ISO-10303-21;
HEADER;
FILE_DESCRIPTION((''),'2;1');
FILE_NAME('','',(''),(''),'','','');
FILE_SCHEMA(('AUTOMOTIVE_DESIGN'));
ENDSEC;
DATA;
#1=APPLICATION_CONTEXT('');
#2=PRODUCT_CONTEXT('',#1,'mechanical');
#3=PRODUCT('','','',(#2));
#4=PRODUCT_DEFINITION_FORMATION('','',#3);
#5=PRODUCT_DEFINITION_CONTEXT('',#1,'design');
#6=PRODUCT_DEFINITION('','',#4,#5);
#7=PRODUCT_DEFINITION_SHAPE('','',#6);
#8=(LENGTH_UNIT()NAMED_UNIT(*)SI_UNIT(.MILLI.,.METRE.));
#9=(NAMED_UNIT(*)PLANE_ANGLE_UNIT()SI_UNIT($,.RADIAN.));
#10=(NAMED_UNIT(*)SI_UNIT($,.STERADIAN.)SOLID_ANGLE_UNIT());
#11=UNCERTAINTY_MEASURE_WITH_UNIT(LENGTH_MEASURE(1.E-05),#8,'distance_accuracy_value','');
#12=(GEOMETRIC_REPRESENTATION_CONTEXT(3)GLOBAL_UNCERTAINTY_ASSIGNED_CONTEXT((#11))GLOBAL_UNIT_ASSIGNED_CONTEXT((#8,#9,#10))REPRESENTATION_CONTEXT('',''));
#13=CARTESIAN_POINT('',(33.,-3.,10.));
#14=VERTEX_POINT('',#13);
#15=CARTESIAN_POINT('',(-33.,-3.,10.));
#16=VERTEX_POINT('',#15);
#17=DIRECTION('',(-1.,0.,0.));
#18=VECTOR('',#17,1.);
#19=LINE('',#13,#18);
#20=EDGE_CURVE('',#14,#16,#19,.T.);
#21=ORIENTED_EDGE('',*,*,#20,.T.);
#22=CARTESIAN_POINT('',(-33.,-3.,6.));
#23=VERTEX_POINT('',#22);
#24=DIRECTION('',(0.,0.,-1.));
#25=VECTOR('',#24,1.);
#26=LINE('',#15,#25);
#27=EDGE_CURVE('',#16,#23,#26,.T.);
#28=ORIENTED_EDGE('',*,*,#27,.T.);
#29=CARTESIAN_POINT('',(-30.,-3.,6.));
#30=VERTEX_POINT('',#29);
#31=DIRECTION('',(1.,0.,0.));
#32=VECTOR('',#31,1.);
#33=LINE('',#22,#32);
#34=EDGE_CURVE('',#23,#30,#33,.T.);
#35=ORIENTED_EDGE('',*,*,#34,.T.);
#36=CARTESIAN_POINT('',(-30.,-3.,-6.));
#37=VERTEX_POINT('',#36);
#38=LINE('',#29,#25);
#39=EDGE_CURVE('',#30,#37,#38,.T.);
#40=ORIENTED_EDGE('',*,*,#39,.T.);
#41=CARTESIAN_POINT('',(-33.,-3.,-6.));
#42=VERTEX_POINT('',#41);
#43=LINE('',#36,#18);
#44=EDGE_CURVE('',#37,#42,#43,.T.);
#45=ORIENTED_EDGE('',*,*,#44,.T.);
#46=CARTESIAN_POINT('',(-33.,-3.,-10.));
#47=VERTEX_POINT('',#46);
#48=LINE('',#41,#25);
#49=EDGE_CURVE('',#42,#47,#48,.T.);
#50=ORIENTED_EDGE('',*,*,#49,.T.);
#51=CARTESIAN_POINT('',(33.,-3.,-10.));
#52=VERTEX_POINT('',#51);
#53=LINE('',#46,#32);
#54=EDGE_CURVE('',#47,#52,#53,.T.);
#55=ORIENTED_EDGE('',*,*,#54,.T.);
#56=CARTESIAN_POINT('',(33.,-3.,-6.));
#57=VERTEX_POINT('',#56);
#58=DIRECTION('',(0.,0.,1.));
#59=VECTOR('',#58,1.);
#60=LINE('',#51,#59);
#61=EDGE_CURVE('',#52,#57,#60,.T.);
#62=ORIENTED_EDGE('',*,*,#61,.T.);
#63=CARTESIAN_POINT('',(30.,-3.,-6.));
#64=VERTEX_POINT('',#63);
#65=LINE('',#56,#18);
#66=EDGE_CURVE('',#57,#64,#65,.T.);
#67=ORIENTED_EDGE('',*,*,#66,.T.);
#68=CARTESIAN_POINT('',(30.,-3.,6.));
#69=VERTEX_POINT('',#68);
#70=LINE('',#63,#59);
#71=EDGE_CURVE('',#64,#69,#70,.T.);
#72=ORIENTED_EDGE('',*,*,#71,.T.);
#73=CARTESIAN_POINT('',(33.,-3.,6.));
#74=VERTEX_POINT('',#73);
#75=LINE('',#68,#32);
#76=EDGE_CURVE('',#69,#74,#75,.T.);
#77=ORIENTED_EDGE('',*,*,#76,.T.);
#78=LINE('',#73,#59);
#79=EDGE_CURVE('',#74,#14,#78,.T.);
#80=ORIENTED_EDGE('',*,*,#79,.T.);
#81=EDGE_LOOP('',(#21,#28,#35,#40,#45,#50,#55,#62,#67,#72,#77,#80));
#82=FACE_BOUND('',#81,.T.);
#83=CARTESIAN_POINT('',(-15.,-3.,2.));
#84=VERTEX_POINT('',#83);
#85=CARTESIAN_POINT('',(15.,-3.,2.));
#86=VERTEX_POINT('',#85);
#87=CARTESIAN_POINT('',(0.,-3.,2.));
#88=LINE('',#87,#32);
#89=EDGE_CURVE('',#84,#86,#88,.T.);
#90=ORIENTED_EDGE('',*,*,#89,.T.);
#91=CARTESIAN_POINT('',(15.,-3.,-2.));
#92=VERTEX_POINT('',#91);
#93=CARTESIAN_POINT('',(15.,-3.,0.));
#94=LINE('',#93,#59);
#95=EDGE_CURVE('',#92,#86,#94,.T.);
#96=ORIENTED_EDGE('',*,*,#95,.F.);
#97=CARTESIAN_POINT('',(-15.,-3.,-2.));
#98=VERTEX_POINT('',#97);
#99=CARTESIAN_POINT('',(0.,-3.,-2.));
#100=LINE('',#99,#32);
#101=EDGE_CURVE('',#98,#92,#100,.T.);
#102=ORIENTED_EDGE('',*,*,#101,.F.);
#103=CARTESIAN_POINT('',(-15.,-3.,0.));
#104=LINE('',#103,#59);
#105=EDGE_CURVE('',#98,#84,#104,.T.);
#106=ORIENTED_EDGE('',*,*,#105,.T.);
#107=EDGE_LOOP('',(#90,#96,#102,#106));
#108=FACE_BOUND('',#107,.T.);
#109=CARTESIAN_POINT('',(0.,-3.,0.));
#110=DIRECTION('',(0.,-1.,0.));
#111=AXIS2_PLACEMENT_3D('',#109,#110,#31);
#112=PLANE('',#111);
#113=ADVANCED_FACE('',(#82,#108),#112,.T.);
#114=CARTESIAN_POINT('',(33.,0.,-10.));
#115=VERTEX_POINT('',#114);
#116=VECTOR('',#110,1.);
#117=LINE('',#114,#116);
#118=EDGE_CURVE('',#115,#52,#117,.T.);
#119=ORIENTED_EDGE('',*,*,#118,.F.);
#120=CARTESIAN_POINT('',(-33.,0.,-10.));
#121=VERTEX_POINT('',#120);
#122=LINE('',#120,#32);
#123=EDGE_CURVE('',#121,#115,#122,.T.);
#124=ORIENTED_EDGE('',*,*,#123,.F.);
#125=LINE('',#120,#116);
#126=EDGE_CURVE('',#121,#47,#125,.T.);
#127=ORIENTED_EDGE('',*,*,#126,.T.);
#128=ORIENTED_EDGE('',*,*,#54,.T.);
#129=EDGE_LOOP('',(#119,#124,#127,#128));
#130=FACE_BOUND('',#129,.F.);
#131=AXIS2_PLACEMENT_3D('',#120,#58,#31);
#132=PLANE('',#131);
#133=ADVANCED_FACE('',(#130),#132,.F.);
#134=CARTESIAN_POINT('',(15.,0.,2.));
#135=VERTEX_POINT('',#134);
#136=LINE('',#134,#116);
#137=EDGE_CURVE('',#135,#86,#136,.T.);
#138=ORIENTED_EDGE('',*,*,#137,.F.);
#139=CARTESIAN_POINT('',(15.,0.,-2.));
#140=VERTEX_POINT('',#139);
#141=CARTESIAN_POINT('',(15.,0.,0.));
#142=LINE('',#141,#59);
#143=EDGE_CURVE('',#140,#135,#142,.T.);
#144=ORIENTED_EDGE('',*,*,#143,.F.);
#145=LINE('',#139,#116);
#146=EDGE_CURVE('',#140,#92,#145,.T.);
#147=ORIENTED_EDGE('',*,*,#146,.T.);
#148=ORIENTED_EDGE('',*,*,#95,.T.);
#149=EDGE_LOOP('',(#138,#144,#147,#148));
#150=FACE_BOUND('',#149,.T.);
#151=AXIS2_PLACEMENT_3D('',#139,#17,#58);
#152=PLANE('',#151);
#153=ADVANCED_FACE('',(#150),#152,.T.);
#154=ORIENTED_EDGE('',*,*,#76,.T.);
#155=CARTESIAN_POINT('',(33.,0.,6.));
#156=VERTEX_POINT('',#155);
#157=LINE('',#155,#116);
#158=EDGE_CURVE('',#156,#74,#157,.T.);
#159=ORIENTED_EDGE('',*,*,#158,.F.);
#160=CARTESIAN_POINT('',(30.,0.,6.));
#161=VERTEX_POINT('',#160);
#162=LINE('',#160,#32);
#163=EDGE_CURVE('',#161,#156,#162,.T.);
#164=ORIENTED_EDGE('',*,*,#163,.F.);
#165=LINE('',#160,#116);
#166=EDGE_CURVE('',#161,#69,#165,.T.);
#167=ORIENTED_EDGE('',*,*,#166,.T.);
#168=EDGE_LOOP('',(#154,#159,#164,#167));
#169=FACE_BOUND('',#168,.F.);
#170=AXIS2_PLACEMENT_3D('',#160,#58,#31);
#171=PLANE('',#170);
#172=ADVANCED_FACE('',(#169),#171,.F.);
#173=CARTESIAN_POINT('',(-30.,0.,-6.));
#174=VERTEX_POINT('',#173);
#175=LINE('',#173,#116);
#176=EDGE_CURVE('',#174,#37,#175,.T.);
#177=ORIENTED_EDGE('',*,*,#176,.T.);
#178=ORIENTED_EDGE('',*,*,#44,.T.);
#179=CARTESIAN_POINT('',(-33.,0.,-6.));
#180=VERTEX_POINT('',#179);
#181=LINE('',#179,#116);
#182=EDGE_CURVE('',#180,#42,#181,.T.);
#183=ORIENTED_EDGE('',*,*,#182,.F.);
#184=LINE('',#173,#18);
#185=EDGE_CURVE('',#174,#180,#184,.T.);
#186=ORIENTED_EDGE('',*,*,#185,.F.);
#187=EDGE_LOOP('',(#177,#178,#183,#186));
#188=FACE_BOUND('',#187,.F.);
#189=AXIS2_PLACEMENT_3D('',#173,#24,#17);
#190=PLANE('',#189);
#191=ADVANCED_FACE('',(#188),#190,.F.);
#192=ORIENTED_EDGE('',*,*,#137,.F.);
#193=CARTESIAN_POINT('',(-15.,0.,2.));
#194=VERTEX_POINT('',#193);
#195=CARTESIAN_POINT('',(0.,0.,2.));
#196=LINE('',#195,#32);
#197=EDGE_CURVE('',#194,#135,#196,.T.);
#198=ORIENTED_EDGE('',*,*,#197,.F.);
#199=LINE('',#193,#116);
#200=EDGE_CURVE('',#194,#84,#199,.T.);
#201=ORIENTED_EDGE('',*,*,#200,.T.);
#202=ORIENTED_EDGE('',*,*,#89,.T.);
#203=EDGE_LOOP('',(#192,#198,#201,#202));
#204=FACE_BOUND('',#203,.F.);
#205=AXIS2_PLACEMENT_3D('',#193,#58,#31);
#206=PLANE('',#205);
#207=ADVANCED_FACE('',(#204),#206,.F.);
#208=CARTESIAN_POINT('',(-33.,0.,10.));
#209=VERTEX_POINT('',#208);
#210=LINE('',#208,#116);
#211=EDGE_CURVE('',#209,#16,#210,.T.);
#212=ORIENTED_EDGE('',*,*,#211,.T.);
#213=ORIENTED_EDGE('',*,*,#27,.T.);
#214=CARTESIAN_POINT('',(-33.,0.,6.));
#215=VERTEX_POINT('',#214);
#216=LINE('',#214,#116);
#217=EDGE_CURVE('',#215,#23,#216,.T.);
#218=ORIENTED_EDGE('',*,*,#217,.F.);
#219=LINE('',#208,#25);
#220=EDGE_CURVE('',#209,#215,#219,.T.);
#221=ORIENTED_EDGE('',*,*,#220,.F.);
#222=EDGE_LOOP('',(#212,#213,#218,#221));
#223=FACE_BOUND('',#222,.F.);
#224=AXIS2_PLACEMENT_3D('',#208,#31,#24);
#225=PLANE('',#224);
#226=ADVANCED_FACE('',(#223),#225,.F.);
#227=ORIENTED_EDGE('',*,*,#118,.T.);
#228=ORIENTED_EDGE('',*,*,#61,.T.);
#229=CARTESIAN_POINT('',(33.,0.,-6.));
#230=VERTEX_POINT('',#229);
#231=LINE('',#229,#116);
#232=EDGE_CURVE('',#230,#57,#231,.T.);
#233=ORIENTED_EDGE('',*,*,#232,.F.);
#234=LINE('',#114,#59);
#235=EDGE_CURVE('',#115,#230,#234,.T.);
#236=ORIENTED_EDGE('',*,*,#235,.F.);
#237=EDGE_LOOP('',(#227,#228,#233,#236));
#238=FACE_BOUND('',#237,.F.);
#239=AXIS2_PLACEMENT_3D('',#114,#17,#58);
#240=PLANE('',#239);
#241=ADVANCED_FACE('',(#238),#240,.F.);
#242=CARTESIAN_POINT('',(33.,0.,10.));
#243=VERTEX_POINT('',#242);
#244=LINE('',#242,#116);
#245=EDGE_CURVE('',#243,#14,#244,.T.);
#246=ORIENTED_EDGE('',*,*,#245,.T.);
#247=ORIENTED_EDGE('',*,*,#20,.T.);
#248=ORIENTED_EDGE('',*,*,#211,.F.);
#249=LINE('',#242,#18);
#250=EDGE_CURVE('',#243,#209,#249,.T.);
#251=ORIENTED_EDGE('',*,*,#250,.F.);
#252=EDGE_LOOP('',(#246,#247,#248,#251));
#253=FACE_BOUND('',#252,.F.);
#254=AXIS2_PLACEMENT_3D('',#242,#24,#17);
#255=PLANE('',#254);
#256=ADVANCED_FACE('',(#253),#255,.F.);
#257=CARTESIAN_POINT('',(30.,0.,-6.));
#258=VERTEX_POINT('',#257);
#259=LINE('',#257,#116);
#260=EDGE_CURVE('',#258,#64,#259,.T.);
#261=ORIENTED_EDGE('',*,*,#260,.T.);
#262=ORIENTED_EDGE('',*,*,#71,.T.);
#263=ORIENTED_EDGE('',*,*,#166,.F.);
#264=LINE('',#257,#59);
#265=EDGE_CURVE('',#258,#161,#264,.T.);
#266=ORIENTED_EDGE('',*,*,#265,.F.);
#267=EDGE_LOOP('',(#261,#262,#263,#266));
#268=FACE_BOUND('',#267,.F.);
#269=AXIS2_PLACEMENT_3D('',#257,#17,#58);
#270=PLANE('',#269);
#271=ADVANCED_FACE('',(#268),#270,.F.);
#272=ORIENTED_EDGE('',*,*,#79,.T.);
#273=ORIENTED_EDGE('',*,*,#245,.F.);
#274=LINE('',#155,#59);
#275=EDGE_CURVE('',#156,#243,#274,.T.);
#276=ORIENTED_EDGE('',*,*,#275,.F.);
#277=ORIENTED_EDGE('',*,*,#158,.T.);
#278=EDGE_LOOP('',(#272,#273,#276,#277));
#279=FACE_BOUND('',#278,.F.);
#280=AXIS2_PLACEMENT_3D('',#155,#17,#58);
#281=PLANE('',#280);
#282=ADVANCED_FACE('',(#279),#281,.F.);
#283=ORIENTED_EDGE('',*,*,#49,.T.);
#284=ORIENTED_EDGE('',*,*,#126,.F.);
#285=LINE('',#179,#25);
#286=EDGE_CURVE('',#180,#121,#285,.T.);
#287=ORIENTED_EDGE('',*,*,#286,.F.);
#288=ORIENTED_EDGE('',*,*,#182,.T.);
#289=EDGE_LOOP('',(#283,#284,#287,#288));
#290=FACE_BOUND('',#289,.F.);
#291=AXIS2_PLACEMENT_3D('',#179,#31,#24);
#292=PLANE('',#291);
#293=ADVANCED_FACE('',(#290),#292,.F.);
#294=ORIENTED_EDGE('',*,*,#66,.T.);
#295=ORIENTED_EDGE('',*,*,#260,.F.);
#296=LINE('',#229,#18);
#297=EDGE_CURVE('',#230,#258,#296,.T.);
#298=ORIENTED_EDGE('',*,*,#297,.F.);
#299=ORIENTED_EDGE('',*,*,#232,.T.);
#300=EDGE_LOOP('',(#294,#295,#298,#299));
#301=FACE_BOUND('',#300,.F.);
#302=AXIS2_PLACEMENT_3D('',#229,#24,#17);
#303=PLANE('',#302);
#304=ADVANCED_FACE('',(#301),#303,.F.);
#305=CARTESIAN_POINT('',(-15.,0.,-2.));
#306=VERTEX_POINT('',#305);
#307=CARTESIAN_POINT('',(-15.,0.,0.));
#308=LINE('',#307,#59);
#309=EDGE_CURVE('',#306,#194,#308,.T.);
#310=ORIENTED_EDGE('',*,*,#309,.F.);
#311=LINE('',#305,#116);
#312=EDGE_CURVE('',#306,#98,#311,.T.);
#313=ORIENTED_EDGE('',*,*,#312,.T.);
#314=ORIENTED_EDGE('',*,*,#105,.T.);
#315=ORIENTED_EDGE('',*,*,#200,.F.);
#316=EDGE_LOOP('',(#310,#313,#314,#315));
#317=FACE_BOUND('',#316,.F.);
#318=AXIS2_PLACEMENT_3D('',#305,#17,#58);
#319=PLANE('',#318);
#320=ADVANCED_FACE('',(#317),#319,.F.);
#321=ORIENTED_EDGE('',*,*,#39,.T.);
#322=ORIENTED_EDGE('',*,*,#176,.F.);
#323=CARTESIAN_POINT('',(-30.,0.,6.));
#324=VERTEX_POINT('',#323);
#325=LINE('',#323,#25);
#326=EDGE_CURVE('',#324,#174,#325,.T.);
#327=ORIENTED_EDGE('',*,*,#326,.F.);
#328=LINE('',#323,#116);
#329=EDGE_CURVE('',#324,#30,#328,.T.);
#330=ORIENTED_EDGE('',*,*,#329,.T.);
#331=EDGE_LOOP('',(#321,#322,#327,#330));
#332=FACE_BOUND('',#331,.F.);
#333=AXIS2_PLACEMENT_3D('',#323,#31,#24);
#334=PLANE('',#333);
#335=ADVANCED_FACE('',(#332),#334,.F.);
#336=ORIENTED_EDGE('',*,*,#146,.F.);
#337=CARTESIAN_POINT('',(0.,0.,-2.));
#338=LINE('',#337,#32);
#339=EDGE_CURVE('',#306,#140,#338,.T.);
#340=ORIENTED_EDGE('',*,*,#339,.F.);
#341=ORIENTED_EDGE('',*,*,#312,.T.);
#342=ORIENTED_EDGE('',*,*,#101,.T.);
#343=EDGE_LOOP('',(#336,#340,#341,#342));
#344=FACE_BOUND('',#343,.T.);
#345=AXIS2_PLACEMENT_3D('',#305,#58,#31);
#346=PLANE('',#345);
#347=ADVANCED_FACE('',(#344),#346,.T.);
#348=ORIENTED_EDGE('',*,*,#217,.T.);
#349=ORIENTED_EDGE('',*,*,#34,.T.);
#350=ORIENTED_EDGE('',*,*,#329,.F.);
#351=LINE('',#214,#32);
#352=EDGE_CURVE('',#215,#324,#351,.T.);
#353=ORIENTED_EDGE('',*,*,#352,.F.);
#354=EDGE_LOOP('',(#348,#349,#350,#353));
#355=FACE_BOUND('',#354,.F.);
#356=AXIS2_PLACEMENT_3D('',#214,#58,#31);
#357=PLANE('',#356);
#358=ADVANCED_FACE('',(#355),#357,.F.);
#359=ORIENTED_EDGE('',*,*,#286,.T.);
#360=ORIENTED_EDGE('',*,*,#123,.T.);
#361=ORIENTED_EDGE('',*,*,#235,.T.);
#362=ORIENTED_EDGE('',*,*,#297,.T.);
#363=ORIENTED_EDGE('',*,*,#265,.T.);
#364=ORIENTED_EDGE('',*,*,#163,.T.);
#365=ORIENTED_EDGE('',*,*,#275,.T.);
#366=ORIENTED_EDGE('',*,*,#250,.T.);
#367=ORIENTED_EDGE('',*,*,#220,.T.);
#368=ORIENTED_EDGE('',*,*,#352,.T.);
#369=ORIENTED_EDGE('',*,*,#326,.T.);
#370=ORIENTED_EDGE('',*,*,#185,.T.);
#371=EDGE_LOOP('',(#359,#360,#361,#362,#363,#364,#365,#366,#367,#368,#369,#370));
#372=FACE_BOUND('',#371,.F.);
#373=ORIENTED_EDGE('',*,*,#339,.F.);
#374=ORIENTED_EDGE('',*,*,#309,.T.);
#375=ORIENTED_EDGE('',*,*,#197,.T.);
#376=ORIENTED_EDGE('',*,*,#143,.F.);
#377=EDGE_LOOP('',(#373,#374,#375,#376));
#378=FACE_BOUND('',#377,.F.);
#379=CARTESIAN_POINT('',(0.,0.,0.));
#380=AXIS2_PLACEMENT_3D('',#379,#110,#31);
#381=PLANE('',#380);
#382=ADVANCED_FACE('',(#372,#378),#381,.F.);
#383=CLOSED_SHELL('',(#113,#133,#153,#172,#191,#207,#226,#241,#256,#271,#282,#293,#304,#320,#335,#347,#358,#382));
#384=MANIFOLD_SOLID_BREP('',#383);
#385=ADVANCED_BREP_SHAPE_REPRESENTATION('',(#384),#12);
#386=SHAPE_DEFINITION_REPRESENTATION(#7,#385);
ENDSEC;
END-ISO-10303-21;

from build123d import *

# Parameters (mm, degrees)
F0_W     = 30
F0_H     = 4
F1_DEPTH = 3


with BuildPart() as f1:
    # F0 (on Front) → F1 (new body)
    with BuildSketch(Plane.XZ):
        Polygon((33, 10), (-33, 10), (-33, 6), (-30, 6), (-30, -6), (-33, -6), (-33, -10), (33, -10), (33, -6), (30, -6), (30, 6), (33, 6), align=None)
        Rectangle(F0_W, F0_H, mode=Mode.SUBTRACT)
    extrude(amount=F1_DEPTH)


solid = f1.part
